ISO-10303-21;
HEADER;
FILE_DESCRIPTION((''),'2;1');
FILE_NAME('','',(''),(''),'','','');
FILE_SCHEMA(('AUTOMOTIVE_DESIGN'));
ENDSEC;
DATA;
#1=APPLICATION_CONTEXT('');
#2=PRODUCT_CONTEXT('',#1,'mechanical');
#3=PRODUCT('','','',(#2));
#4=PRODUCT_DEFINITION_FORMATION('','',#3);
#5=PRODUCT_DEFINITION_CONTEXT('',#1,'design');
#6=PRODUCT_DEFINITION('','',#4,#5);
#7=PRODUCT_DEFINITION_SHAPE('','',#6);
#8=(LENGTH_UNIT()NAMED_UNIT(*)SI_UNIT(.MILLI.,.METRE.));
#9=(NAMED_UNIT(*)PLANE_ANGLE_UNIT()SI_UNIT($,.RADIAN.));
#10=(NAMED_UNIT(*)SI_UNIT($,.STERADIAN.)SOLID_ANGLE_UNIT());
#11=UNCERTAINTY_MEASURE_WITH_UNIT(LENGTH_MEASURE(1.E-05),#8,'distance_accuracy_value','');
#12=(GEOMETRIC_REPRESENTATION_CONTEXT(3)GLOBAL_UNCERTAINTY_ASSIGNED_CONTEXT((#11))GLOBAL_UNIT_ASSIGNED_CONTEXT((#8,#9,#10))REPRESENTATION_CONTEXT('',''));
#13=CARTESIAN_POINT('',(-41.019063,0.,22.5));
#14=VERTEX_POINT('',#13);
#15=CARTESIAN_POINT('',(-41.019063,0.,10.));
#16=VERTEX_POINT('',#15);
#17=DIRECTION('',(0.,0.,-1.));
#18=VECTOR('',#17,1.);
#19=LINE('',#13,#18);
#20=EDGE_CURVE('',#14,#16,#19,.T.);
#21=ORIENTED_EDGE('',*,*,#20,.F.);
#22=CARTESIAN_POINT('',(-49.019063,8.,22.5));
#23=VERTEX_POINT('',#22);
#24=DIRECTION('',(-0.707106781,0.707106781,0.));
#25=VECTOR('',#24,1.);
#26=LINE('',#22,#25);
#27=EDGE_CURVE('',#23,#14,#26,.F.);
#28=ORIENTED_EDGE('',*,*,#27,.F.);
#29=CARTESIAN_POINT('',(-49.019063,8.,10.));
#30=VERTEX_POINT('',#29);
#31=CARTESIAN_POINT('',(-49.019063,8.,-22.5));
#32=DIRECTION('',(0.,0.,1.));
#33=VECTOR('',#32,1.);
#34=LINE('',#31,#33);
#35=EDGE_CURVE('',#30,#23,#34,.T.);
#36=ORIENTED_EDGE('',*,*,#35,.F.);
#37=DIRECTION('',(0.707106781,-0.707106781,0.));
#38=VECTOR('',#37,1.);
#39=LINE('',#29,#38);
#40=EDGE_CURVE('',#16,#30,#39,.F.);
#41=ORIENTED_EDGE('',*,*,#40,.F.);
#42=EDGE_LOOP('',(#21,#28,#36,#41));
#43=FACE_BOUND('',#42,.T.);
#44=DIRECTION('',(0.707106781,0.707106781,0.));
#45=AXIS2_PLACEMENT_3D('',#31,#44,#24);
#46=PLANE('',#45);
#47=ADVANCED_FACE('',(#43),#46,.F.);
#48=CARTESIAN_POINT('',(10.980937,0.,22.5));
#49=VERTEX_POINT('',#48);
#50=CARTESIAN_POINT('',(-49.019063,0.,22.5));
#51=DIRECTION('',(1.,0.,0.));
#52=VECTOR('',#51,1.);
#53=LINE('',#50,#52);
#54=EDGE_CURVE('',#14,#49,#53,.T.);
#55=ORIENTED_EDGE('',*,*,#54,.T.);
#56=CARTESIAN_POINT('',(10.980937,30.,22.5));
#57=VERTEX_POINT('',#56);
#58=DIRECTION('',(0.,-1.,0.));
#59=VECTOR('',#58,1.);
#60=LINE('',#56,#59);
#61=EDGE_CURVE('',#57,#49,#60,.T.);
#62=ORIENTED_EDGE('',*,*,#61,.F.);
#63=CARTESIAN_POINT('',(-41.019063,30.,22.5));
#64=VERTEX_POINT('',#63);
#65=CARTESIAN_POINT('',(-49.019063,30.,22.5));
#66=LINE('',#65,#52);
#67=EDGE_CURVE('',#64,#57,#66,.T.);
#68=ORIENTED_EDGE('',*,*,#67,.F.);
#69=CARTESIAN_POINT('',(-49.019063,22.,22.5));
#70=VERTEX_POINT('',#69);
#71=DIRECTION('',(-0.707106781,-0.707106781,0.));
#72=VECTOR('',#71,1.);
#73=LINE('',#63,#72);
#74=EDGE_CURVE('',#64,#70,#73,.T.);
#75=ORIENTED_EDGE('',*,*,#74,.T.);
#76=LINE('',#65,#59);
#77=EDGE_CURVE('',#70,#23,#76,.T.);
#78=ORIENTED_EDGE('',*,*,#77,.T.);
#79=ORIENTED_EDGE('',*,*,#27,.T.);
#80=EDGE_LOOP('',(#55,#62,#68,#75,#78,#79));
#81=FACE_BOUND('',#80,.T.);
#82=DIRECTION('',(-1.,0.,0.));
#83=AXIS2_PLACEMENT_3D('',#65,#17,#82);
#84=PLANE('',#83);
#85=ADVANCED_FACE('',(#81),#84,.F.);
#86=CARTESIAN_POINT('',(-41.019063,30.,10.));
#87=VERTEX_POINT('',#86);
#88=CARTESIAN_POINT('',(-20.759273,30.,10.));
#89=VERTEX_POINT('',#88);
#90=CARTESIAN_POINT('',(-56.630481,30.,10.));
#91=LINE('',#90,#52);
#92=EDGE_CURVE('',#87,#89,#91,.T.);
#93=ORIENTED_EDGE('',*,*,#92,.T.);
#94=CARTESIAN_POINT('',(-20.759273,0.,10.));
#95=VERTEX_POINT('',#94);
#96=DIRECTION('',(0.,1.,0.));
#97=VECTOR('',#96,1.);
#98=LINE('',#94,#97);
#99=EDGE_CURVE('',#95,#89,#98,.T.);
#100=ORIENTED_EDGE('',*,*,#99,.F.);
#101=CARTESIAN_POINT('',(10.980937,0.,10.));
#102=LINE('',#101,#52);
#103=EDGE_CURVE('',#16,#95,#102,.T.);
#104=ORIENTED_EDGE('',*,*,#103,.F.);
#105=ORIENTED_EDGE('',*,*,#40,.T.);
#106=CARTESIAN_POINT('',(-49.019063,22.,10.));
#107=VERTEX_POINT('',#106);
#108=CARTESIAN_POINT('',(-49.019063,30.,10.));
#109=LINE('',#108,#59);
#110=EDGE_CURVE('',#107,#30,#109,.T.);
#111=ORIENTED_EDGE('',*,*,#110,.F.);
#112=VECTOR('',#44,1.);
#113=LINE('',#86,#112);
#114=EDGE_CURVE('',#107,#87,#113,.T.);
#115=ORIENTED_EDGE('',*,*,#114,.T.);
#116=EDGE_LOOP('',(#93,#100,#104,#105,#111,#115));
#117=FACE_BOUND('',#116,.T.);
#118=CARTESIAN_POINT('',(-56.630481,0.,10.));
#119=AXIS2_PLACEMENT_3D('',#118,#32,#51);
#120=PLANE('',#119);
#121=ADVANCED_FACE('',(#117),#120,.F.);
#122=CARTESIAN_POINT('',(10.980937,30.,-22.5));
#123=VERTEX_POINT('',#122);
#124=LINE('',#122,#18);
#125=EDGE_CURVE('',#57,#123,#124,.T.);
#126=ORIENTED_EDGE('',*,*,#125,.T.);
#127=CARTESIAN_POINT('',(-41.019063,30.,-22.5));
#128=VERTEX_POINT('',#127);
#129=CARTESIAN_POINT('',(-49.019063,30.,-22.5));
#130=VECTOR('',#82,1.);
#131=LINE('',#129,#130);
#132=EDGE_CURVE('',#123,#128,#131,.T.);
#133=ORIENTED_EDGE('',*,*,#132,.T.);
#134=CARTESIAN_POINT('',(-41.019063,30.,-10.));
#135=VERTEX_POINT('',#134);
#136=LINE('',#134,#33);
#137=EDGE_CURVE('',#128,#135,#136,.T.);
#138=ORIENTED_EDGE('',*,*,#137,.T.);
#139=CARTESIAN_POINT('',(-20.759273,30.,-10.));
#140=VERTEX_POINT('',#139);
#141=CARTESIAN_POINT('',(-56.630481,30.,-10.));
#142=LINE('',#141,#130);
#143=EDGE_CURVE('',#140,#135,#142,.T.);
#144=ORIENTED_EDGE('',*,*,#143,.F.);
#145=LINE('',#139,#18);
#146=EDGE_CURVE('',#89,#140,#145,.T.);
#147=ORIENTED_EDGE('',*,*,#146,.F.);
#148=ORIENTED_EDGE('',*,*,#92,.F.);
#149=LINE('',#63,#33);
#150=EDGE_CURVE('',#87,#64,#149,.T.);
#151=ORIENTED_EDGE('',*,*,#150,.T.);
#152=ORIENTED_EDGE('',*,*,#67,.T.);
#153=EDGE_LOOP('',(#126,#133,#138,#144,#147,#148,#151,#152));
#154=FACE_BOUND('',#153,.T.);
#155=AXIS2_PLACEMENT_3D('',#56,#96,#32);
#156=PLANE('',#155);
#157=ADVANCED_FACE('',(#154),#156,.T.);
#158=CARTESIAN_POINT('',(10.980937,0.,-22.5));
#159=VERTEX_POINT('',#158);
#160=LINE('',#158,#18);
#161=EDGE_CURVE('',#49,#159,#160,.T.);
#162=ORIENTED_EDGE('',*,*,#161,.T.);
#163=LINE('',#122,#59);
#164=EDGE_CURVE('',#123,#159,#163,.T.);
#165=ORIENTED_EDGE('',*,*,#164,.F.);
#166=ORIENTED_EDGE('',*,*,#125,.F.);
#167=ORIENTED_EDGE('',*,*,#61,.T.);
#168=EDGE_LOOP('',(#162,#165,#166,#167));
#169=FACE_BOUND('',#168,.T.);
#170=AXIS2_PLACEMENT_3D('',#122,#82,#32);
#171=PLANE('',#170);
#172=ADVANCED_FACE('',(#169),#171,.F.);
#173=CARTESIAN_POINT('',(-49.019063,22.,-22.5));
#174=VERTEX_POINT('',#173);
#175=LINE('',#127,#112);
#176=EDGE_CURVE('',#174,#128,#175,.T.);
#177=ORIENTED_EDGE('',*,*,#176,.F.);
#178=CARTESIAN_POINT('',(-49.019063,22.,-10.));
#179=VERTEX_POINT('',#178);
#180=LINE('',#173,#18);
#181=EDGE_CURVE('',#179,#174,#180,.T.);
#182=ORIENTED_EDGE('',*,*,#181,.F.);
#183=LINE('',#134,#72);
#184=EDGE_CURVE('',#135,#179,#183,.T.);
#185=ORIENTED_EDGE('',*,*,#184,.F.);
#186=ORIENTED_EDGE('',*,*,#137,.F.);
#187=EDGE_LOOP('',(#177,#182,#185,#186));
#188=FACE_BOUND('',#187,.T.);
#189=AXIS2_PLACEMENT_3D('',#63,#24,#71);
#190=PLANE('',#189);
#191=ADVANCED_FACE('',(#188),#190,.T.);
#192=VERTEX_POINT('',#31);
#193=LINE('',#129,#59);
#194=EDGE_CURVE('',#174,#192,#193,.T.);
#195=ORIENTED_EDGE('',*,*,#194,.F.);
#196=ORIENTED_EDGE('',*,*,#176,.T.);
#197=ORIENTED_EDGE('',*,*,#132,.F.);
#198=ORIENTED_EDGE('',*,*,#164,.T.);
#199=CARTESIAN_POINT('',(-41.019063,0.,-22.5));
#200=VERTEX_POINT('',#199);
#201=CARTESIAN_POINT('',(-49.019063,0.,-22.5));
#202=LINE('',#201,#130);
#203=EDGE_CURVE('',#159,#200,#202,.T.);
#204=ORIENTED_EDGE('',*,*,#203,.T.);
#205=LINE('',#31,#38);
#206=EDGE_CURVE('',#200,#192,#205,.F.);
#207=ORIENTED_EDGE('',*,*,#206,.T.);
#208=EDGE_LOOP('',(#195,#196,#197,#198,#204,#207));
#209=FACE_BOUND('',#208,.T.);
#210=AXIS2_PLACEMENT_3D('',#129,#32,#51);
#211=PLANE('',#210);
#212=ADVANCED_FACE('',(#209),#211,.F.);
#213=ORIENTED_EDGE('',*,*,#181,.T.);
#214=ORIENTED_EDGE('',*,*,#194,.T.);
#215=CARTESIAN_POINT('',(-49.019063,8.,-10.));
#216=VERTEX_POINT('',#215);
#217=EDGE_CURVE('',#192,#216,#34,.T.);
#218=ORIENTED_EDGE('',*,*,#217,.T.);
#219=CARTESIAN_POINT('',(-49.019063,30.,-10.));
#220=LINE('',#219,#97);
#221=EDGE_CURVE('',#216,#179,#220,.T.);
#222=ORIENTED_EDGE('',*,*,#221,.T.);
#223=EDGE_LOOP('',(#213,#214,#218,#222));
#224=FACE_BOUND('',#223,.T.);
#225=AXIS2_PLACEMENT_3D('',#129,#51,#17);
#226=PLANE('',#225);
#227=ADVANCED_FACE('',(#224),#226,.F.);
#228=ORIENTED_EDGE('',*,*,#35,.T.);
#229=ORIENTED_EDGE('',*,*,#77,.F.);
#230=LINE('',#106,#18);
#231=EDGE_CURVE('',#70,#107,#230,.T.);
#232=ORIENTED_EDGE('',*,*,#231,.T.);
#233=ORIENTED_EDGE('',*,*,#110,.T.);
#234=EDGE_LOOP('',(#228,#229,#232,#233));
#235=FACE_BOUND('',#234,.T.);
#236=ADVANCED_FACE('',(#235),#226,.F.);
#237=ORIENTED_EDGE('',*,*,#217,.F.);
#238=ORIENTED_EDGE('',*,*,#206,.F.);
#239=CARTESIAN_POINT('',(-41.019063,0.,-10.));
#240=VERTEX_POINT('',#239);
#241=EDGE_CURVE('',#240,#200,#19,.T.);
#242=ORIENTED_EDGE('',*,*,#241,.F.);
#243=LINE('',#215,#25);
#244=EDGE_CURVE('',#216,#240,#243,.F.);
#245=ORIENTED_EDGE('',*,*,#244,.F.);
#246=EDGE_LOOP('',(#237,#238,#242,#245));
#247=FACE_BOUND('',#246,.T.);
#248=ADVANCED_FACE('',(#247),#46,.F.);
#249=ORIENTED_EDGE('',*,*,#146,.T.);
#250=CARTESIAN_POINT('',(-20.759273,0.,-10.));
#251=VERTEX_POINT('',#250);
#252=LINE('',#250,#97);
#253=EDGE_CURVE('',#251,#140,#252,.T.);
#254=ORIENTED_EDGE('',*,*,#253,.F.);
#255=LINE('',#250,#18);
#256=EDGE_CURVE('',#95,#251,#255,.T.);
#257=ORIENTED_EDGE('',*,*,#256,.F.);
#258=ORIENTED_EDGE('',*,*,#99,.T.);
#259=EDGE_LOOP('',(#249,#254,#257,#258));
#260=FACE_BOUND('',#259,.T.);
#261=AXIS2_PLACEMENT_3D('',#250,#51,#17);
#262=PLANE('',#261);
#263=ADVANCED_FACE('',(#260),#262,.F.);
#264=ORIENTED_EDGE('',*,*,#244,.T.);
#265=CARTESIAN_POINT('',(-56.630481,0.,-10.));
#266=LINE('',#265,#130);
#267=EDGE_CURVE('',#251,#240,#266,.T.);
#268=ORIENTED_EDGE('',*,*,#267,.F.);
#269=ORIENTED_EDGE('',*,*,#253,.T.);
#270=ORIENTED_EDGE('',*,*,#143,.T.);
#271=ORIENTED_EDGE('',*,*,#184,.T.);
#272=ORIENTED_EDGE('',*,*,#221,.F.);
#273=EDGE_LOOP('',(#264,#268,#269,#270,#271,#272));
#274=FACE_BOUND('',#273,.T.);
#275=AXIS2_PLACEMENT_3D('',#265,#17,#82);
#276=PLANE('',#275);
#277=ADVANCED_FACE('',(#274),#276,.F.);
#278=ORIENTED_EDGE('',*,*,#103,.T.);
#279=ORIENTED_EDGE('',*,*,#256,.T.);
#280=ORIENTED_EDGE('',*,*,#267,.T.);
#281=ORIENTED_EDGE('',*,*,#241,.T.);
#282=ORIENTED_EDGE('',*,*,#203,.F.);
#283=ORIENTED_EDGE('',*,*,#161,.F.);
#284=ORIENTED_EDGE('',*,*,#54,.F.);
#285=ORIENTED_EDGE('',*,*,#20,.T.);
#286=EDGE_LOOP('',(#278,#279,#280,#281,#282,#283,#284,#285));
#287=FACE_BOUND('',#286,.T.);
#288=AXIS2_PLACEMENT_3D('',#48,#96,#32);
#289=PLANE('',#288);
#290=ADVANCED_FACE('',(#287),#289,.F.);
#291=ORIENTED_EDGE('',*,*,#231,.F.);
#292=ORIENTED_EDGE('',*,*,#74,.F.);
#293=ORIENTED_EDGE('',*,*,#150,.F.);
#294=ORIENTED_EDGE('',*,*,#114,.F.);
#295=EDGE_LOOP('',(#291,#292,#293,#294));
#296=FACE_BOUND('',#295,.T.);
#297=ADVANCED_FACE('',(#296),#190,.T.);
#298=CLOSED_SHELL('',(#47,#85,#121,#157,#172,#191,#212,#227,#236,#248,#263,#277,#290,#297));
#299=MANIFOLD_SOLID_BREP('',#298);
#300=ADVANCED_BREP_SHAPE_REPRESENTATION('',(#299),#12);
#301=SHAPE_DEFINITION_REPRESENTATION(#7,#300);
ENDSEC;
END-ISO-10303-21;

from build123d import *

# Parameters (mm, degrees)
SKETCH_1_W          = 60
SKETCH_1_H          = 45
EXTRUDE_1_DEPTH     = 30
SKETCH_3_W          = 35.871207779
SKETCH_3_H          = 20
CUT_EXTRUDE_3_DEPTH = 62.71805709
CHAMFER_1_SIZE      = 8


with BuildPart() as part:
    # Эскиз1 → Вытянуть1 (new body)
    with BuildSketch(Plane(origin=(0, 0, 0), x_dir=(1, 0, 0), z_dir=(0, 1, 0))):
        with Locations((-19.019063342, 0)):
            Rectangle(SKETCH_1_W, SKETCH_1_H)
    extrude(amount=EXTRUDE_1_DEPTH)

    # Эскиз3 → Вытянуть3 (cut, through all)
    with BuildSketch(Plane(origin=(0, 30, 0), x_dir=(1, 0, 0), z_dir=(0, 1, 0))):
        with Locations((-38.69487705, 0)):
            Rectangle(SKETCH_3_W, SKETCH_3_H)
    extrude(amount=-CUT_EXTRUDE_3_DEPTH, mode=Mode.SUBTRACT)

    # Фаска1
    chamfer_1_edges = [part.edges().sort_by_distance(p)[0] for p in [
        (-49.019063342, 30, -16.25),
        (-49.019063342, 0, 16.25),
        (-49.019063342, 30, 16.25),
        (-49.019063342, 0, -16.25),
    ]]
    chamfer(chamfer_1_edges, length=CHAMFER_1_SIZE)


solid = part.part
